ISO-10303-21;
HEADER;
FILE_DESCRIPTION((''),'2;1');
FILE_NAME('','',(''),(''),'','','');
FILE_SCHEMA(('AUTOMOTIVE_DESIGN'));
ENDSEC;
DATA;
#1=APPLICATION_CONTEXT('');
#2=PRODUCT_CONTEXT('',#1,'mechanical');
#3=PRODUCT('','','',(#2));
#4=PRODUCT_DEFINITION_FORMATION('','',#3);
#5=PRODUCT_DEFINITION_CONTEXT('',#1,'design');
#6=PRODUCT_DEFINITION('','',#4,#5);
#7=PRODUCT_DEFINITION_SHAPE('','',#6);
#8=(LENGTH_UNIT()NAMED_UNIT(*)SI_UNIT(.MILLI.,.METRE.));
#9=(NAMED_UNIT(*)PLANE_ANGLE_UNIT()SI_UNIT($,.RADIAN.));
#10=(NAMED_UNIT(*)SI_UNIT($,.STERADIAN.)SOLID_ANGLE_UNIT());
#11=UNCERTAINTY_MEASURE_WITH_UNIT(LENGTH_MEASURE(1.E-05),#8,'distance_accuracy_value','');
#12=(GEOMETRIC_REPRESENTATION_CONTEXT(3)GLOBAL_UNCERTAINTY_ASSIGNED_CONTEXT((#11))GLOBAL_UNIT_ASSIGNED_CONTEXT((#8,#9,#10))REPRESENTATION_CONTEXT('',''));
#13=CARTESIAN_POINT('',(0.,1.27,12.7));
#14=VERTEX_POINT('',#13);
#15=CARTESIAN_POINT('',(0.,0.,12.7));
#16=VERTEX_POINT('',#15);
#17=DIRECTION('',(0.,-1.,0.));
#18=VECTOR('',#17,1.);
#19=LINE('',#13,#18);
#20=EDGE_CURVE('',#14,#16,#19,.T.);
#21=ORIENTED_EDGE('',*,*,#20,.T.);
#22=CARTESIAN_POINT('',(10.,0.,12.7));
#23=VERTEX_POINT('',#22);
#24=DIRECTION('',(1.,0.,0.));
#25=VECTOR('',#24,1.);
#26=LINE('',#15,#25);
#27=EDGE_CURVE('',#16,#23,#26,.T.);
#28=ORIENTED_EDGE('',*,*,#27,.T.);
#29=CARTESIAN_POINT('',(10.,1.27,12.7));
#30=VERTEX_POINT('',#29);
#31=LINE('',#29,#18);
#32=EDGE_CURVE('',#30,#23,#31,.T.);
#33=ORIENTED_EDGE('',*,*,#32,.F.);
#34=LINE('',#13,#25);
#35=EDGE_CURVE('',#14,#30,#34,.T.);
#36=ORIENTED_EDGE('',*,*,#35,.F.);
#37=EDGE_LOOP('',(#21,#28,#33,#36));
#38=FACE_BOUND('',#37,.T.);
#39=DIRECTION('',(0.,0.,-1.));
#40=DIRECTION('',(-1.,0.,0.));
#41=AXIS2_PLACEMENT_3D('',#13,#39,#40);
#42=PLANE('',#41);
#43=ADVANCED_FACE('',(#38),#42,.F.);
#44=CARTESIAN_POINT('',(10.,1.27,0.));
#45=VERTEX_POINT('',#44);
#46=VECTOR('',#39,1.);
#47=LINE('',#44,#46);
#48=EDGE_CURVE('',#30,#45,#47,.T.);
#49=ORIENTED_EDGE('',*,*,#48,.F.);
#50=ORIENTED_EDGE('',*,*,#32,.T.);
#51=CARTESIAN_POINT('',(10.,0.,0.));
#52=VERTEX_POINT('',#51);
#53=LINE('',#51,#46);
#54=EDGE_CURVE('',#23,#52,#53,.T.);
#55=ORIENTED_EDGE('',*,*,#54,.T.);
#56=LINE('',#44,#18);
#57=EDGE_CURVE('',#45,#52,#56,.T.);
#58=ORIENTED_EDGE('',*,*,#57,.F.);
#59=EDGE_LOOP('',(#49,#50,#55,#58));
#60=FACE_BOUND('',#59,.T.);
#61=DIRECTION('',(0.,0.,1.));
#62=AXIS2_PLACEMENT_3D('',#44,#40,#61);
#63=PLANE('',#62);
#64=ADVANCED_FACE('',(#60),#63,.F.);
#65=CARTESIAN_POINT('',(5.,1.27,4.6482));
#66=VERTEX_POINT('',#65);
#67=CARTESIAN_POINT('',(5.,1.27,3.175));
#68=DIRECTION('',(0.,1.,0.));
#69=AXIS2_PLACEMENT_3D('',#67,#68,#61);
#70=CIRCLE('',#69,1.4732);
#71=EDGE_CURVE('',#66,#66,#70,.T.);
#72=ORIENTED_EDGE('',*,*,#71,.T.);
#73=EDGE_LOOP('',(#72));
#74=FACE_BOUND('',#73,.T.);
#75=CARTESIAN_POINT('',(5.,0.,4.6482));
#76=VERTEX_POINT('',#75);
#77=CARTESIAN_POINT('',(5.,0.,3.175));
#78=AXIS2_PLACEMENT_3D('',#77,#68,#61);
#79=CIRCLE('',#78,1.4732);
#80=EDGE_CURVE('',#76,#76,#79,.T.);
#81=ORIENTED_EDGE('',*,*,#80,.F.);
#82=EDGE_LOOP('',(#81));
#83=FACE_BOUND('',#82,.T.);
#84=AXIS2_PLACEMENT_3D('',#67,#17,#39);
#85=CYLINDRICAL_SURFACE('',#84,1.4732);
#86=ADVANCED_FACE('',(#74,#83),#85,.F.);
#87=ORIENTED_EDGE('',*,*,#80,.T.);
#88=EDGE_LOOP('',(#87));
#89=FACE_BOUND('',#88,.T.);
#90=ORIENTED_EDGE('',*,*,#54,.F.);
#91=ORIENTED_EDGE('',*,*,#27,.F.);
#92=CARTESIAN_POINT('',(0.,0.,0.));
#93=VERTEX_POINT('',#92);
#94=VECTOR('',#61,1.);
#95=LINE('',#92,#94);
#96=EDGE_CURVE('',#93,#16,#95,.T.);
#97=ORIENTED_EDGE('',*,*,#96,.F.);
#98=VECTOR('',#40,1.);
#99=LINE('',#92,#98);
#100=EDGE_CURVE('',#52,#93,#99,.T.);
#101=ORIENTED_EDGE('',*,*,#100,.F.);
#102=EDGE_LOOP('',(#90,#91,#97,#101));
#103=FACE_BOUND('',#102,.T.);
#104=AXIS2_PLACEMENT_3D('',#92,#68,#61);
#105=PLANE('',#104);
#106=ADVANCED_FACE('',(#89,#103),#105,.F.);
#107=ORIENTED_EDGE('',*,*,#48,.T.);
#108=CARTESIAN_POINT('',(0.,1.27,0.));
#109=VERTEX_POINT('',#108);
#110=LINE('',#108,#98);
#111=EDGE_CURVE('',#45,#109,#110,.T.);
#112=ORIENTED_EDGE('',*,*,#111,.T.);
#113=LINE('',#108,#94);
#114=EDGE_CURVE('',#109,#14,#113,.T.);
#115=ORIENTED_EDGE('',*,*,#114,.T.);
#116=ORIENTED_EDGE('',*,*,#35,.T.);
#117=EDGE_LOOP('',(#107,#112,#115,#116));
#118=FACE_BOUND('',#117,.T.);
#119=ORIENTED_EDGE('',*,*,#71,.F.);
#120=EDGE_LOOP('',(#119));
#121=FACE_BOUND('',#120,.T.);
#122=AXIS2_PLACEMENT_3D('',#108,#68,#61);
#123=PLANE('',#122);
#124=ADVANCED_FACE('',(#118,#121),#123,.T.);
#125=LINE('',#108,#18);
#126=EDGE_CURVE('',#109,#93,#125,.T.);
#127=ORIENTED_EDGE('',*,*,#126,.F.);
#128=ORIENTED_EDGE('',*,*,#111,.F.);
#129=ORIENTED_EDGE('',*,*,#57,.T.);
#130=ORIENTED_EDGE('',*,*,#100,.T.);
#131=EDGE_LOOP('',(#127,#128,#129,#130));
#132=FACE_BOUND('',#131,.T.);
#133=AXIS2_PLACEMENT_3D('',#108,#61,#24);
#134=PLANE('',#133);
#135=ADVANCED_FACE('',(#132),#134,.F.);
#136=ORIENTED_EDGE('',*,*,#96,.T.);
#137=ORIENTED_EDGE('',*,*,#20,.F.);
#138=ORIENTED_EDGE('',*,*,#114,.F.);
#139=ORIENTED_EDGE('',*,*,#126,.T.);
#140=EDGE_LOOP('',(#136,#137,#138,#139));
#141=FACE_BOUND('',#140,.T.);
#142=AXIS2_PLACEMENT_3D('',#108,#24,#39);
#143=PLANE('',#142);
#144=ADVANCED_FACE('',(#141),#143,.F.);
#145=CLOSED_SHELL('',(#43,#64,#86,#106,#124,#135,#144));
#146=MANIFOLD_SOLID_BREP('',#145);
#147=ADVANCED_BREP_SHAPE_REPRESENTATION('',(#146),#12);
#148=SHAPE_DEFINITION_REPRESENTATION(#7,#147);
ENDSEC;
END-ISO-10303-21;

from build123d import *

# Parameters (mm, degrees)
SKETCH1_W           = 10
SKETCH1_H           = 12.7
SKETCH1_R           = 1.4732
BOSS_EXTRUDE1_DEPTH = 1.27


with BuildPart() as part:
    # Sketch1 → Boss-Extrude1 (new body)
    with BuildSketch(Plane(origin=(0, 0, 0), x_dir=(1, 0, 0), z_dir=(0, 1, 0))):
        with Locations((5, -6.35)):
            Rectangle(SKETCH1_W, SKETCH1_H)
        with Locations(Location((5, -3.175, 0), (0, 0, 270))):
            Circle(SKETCH1_R, mode=Mode.SUBTRACT)
    extrude(amount=BOSS_EXTRUDE1_DEPTH)


solid = part.part
